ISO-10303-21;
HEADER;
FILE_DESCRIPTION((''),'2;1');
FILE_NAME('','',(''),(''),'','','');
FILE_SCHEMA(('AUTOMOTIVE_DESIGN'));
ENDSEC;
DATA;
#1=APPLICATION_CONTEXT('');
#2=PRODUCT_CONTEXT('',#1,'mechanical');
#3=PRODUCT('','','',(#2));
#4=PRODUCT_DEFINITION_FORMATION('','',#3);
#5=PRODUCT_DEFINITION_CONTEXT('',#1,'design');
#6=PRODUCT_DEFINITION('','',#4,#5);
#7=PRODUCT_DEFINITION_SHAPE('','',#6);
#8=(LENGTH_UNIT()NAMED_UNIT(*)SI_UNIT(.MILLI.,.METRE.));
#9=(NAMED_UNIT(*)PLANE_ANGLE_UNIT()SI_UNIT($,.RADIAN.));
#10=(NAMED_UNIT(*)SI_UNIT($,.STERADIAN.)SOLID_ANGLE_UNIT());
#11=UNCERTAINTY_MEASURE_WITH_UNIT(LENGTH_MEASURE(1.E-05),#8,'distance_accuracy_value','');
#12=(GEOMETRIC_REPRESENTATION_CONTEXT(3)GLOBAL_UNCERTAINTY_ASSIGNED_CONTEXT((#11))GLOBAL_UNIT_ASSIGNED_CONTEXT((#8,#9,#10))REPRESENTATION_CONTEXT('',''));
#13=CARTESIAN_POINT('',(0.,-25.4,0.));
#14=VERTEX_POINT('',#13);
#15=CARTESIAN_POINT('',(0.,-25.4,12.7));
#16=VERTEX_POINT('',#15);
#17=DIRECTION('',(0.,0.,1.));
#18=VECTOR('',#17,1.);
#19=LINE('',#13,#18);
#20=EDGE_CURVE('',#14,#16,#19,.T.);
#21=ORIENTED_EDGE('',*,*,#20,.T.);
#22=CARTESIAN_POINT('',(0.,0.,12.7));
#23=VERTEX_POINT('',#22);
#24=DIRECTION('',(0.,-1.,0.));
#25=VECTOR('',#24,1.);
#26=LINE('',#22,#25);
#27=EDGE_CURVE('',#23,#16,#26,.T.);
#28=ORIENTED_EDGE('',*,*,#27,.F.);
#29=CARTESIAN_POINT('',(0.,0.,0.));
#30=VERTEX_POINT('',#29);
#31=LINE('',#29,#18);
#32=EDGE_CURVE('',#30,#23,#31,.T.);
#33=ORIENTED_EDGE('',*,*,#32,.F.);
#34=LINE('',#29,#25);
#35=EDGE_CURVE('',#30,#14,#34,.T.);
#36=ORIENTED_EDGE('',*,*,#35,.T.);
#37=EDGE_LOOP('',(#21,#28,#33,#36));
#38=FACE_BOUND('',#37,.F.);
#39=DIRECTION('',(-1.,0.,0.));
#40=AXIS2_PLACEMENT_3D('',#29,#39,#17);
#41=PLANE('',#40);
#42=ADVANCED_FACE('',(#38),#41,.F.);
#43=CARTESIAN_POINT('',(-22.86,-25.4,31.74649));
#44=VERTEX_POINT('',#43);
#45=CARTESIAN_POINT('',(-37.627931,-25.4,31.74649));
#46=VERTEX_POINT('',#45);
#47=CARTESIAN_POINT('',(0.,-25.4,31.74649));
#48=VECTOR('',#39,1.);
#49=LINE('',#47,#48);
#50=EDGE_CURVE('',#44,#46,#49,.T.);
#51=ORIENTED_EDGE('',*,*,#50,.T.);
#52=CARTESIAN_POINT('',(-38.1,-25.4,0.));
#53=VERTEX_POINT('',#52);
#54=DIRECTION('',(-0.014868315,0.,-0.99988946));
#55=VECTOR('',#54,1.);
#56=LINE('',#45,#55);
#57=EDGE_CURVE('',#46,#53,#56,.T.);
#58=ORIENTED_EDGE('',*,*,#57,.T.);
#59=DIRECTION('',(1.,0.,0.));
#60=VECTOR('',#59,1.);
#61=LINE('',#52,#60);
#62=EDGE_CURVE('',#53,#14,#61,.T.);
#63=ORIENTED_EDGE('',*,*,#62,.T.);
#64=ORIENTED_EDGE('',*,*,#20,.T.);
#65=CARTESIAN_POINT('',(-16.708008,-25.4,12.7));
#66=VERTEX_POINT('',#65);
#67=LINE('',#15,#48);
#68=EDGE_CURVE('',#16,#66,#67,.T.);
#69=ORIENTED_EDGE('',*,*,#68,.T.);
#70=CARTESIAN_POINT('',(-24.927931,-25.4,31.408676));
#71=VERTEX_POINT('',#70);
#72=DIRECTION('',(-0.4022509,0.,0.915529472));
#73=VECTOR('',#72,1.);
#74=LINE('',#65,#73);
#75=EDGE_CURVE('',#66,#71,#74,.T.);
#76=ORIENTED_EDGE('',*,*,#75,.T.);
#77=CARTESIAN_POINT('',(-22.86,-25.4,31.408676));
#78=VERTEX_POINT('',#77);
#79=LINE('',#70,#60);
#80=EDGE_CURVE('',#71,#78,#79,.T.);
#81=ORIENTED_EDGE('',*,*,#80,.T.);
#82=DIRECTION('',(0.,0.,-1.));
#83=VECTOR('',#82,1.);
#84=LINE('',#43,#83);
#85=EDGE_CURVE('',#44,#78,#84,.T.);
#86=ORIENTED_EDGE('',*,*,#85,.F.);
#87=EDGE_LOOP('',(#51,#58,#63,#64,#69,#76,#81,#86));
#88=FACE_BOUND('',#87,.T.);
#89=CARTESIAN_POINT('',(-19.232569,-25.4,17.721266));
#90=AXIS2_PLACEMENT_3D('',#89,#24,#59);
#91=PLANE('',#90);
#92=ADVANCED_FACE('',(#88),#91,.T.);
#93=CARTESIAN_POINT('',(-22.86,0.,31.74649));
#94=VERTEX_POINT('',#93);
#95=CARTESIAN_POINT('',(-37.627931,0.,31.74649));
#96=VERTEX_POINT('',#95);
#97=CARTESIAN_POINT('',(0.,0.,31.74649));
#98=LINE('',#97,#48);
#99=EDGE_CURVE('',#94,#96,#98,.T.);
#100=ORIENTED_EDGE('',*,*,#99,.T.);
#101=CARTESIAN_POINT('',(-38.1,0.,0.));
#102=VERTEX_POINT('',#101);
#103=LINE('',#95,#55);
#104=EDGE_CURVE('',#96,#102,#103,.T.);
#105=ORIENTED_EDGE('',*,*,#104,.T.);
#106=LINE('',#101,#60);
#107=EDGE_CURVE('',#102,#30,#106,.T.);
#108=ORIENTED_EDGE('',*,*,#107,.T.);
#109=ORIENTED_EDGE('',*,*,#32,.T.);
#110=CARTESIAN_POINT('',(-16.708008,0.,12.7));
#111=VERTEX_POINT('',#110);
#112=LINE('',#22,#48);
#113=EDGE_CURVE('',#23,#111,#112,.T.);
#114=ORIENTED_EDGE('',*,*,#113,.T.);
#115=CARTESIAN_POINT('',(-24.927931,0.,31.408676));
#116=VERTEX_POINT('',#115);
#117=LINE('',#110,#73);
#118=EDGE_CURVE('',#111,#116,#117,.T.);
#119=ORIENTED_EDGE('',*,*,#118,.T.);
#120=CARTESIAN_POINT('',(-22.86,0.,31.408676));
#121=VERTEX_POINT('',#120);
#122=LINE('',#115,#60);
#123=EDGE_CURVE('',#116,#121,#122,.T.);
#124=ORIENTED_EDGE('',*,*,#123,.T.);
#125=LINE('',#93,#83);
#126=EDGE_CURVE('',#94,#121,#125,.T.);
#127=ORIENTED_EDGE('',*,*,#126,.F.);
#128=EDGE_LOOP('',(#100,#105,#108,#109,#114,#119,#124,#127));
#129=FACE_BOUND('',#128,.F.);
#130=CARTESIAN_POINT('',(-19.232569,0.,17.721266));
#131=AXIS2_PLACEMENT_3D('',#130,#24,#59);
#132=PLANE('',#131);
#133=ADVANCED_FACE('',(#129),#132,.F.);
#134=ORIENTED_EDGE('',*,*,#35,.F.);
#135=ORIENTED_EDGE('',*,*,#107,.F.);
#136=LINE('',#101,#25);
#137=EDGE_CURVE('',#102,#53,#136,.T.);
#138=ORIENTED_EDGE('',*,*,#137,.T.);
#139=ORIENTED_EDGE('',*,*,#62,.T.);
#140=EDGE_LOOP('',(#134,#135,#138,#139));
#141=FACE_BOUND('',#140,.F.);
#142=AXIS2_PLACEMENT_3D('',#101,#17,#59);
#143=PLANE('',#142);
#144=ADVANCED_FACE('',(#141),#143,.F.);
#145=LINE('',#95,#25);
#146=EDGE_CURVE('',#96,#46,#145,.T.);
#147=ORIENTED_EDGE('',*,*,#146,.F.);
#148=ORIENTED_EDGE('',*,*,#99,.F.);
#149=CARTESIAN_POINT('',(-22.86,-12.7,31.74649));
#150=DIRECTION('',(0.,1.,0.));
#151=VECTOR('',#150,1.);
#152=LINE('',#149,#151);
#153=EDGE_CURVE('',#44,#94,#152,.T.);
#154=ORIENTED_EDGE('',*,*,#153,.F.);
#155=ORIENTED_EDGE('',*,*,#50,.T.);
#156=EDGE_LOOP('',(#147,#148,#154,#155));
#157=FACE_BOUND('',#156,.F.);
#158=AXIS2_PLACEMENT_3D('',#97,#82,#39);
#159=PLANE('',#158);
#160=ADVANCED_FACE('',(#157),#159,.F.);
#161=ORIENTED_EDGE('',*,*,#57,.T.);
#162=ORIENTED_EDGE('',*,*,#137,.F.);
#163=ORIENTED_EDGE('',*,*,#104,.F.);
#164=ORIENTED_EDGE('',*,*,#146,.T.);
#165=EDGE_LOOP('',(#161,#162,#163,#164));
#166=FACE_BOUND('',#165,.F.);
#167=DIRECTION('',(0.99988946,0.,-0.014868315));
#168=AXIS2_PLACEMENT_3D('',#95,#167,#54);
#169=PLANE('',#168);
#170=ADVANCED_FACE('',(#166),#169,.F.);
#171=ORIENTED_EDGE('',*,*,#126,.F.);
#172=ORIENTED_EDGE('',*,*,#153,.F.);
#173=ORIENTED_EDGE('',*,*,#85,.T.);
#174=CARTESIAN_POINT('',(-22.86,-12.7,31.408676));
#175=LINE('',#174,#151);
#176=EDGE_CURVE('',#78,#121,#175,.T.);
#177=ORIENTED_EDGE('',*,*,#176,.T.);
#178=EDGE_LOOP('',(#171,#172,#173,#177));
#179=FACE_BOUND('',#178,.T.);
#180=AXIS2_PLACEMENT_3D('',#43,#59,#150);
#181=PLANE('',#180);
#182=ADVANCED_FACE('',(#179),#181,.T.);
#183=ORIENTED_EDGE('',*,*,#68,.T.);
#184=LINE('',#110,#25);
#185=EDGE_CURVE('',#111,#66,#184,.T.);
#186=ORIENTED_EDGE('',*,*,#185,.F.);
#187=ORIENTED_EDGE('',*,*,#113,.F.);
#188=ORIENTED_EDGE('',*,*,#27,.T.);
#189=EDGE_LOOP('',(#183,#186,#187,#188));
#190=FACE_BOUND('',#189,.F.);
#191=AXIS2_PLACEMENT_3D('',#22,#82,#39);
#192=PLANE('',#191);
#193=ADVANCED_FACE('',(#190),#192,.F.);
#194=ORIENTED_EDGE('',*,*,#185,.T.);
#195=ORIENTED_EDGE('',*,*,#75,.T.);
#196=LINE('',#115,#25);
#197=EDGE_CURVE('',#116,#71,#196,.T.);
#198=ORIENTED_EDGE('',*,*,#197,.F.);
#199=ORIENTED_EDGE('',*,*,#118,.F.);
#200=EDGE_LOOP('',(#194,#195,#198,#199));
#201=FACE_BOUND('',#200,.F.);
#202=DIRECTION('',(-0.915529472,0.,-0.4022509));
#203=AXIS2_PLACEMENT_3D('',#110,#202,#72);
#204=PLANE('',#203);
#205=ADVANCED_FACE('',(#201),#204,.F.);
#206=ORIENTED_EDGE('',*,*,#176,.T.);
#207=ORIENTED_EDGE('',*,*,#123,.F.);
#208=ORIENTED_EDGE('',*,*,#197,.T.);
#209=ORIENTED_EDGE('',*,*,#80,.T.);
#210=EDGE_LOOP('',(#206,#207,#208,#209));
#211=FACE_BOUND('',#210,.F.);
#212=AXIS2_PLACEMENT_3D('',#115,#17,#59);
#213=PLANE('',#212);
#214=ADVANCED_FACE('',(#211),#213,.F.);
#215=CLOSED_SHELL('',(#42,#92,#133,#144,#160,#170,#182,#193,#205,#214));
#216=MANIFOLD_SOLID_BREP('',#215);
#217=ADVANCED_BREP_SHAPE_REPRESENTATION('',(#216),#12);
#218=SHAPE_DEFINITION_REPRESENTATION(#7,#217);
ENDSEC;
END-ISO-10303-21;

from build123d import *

# Parameters (mm, degrees)
F2_DEPTH = 25.4
F3_W     = 22.86
F3_H     = 25.4
F4_DEPTH = 2.54


with BuildPart() as f2:
    # F1 (on face) → F2 (new body)
    with BuildSketch(Plane.XZ):
        Polygon((-16.708008, 12.7), (-24.927931, 31.408676), (0, 31.408676), (0, 31.74649), (-37.627931, 31.74649), (-38.1, 0), (0, 0), (0, 12.7), align=None)
    extrude(amount=F2_DEPTH)

    # F3 (on face) → F4 (cut)
    with BuildSketch(Plane.XY.offset(31.74649)):
        with Locations((-11.43, -12.7)):
            Rectangle(F3_W, F3_H)
    extrude(amount=-F4_DEPTH, mode=Mode.SUBTRACT)


solid = f2.part
